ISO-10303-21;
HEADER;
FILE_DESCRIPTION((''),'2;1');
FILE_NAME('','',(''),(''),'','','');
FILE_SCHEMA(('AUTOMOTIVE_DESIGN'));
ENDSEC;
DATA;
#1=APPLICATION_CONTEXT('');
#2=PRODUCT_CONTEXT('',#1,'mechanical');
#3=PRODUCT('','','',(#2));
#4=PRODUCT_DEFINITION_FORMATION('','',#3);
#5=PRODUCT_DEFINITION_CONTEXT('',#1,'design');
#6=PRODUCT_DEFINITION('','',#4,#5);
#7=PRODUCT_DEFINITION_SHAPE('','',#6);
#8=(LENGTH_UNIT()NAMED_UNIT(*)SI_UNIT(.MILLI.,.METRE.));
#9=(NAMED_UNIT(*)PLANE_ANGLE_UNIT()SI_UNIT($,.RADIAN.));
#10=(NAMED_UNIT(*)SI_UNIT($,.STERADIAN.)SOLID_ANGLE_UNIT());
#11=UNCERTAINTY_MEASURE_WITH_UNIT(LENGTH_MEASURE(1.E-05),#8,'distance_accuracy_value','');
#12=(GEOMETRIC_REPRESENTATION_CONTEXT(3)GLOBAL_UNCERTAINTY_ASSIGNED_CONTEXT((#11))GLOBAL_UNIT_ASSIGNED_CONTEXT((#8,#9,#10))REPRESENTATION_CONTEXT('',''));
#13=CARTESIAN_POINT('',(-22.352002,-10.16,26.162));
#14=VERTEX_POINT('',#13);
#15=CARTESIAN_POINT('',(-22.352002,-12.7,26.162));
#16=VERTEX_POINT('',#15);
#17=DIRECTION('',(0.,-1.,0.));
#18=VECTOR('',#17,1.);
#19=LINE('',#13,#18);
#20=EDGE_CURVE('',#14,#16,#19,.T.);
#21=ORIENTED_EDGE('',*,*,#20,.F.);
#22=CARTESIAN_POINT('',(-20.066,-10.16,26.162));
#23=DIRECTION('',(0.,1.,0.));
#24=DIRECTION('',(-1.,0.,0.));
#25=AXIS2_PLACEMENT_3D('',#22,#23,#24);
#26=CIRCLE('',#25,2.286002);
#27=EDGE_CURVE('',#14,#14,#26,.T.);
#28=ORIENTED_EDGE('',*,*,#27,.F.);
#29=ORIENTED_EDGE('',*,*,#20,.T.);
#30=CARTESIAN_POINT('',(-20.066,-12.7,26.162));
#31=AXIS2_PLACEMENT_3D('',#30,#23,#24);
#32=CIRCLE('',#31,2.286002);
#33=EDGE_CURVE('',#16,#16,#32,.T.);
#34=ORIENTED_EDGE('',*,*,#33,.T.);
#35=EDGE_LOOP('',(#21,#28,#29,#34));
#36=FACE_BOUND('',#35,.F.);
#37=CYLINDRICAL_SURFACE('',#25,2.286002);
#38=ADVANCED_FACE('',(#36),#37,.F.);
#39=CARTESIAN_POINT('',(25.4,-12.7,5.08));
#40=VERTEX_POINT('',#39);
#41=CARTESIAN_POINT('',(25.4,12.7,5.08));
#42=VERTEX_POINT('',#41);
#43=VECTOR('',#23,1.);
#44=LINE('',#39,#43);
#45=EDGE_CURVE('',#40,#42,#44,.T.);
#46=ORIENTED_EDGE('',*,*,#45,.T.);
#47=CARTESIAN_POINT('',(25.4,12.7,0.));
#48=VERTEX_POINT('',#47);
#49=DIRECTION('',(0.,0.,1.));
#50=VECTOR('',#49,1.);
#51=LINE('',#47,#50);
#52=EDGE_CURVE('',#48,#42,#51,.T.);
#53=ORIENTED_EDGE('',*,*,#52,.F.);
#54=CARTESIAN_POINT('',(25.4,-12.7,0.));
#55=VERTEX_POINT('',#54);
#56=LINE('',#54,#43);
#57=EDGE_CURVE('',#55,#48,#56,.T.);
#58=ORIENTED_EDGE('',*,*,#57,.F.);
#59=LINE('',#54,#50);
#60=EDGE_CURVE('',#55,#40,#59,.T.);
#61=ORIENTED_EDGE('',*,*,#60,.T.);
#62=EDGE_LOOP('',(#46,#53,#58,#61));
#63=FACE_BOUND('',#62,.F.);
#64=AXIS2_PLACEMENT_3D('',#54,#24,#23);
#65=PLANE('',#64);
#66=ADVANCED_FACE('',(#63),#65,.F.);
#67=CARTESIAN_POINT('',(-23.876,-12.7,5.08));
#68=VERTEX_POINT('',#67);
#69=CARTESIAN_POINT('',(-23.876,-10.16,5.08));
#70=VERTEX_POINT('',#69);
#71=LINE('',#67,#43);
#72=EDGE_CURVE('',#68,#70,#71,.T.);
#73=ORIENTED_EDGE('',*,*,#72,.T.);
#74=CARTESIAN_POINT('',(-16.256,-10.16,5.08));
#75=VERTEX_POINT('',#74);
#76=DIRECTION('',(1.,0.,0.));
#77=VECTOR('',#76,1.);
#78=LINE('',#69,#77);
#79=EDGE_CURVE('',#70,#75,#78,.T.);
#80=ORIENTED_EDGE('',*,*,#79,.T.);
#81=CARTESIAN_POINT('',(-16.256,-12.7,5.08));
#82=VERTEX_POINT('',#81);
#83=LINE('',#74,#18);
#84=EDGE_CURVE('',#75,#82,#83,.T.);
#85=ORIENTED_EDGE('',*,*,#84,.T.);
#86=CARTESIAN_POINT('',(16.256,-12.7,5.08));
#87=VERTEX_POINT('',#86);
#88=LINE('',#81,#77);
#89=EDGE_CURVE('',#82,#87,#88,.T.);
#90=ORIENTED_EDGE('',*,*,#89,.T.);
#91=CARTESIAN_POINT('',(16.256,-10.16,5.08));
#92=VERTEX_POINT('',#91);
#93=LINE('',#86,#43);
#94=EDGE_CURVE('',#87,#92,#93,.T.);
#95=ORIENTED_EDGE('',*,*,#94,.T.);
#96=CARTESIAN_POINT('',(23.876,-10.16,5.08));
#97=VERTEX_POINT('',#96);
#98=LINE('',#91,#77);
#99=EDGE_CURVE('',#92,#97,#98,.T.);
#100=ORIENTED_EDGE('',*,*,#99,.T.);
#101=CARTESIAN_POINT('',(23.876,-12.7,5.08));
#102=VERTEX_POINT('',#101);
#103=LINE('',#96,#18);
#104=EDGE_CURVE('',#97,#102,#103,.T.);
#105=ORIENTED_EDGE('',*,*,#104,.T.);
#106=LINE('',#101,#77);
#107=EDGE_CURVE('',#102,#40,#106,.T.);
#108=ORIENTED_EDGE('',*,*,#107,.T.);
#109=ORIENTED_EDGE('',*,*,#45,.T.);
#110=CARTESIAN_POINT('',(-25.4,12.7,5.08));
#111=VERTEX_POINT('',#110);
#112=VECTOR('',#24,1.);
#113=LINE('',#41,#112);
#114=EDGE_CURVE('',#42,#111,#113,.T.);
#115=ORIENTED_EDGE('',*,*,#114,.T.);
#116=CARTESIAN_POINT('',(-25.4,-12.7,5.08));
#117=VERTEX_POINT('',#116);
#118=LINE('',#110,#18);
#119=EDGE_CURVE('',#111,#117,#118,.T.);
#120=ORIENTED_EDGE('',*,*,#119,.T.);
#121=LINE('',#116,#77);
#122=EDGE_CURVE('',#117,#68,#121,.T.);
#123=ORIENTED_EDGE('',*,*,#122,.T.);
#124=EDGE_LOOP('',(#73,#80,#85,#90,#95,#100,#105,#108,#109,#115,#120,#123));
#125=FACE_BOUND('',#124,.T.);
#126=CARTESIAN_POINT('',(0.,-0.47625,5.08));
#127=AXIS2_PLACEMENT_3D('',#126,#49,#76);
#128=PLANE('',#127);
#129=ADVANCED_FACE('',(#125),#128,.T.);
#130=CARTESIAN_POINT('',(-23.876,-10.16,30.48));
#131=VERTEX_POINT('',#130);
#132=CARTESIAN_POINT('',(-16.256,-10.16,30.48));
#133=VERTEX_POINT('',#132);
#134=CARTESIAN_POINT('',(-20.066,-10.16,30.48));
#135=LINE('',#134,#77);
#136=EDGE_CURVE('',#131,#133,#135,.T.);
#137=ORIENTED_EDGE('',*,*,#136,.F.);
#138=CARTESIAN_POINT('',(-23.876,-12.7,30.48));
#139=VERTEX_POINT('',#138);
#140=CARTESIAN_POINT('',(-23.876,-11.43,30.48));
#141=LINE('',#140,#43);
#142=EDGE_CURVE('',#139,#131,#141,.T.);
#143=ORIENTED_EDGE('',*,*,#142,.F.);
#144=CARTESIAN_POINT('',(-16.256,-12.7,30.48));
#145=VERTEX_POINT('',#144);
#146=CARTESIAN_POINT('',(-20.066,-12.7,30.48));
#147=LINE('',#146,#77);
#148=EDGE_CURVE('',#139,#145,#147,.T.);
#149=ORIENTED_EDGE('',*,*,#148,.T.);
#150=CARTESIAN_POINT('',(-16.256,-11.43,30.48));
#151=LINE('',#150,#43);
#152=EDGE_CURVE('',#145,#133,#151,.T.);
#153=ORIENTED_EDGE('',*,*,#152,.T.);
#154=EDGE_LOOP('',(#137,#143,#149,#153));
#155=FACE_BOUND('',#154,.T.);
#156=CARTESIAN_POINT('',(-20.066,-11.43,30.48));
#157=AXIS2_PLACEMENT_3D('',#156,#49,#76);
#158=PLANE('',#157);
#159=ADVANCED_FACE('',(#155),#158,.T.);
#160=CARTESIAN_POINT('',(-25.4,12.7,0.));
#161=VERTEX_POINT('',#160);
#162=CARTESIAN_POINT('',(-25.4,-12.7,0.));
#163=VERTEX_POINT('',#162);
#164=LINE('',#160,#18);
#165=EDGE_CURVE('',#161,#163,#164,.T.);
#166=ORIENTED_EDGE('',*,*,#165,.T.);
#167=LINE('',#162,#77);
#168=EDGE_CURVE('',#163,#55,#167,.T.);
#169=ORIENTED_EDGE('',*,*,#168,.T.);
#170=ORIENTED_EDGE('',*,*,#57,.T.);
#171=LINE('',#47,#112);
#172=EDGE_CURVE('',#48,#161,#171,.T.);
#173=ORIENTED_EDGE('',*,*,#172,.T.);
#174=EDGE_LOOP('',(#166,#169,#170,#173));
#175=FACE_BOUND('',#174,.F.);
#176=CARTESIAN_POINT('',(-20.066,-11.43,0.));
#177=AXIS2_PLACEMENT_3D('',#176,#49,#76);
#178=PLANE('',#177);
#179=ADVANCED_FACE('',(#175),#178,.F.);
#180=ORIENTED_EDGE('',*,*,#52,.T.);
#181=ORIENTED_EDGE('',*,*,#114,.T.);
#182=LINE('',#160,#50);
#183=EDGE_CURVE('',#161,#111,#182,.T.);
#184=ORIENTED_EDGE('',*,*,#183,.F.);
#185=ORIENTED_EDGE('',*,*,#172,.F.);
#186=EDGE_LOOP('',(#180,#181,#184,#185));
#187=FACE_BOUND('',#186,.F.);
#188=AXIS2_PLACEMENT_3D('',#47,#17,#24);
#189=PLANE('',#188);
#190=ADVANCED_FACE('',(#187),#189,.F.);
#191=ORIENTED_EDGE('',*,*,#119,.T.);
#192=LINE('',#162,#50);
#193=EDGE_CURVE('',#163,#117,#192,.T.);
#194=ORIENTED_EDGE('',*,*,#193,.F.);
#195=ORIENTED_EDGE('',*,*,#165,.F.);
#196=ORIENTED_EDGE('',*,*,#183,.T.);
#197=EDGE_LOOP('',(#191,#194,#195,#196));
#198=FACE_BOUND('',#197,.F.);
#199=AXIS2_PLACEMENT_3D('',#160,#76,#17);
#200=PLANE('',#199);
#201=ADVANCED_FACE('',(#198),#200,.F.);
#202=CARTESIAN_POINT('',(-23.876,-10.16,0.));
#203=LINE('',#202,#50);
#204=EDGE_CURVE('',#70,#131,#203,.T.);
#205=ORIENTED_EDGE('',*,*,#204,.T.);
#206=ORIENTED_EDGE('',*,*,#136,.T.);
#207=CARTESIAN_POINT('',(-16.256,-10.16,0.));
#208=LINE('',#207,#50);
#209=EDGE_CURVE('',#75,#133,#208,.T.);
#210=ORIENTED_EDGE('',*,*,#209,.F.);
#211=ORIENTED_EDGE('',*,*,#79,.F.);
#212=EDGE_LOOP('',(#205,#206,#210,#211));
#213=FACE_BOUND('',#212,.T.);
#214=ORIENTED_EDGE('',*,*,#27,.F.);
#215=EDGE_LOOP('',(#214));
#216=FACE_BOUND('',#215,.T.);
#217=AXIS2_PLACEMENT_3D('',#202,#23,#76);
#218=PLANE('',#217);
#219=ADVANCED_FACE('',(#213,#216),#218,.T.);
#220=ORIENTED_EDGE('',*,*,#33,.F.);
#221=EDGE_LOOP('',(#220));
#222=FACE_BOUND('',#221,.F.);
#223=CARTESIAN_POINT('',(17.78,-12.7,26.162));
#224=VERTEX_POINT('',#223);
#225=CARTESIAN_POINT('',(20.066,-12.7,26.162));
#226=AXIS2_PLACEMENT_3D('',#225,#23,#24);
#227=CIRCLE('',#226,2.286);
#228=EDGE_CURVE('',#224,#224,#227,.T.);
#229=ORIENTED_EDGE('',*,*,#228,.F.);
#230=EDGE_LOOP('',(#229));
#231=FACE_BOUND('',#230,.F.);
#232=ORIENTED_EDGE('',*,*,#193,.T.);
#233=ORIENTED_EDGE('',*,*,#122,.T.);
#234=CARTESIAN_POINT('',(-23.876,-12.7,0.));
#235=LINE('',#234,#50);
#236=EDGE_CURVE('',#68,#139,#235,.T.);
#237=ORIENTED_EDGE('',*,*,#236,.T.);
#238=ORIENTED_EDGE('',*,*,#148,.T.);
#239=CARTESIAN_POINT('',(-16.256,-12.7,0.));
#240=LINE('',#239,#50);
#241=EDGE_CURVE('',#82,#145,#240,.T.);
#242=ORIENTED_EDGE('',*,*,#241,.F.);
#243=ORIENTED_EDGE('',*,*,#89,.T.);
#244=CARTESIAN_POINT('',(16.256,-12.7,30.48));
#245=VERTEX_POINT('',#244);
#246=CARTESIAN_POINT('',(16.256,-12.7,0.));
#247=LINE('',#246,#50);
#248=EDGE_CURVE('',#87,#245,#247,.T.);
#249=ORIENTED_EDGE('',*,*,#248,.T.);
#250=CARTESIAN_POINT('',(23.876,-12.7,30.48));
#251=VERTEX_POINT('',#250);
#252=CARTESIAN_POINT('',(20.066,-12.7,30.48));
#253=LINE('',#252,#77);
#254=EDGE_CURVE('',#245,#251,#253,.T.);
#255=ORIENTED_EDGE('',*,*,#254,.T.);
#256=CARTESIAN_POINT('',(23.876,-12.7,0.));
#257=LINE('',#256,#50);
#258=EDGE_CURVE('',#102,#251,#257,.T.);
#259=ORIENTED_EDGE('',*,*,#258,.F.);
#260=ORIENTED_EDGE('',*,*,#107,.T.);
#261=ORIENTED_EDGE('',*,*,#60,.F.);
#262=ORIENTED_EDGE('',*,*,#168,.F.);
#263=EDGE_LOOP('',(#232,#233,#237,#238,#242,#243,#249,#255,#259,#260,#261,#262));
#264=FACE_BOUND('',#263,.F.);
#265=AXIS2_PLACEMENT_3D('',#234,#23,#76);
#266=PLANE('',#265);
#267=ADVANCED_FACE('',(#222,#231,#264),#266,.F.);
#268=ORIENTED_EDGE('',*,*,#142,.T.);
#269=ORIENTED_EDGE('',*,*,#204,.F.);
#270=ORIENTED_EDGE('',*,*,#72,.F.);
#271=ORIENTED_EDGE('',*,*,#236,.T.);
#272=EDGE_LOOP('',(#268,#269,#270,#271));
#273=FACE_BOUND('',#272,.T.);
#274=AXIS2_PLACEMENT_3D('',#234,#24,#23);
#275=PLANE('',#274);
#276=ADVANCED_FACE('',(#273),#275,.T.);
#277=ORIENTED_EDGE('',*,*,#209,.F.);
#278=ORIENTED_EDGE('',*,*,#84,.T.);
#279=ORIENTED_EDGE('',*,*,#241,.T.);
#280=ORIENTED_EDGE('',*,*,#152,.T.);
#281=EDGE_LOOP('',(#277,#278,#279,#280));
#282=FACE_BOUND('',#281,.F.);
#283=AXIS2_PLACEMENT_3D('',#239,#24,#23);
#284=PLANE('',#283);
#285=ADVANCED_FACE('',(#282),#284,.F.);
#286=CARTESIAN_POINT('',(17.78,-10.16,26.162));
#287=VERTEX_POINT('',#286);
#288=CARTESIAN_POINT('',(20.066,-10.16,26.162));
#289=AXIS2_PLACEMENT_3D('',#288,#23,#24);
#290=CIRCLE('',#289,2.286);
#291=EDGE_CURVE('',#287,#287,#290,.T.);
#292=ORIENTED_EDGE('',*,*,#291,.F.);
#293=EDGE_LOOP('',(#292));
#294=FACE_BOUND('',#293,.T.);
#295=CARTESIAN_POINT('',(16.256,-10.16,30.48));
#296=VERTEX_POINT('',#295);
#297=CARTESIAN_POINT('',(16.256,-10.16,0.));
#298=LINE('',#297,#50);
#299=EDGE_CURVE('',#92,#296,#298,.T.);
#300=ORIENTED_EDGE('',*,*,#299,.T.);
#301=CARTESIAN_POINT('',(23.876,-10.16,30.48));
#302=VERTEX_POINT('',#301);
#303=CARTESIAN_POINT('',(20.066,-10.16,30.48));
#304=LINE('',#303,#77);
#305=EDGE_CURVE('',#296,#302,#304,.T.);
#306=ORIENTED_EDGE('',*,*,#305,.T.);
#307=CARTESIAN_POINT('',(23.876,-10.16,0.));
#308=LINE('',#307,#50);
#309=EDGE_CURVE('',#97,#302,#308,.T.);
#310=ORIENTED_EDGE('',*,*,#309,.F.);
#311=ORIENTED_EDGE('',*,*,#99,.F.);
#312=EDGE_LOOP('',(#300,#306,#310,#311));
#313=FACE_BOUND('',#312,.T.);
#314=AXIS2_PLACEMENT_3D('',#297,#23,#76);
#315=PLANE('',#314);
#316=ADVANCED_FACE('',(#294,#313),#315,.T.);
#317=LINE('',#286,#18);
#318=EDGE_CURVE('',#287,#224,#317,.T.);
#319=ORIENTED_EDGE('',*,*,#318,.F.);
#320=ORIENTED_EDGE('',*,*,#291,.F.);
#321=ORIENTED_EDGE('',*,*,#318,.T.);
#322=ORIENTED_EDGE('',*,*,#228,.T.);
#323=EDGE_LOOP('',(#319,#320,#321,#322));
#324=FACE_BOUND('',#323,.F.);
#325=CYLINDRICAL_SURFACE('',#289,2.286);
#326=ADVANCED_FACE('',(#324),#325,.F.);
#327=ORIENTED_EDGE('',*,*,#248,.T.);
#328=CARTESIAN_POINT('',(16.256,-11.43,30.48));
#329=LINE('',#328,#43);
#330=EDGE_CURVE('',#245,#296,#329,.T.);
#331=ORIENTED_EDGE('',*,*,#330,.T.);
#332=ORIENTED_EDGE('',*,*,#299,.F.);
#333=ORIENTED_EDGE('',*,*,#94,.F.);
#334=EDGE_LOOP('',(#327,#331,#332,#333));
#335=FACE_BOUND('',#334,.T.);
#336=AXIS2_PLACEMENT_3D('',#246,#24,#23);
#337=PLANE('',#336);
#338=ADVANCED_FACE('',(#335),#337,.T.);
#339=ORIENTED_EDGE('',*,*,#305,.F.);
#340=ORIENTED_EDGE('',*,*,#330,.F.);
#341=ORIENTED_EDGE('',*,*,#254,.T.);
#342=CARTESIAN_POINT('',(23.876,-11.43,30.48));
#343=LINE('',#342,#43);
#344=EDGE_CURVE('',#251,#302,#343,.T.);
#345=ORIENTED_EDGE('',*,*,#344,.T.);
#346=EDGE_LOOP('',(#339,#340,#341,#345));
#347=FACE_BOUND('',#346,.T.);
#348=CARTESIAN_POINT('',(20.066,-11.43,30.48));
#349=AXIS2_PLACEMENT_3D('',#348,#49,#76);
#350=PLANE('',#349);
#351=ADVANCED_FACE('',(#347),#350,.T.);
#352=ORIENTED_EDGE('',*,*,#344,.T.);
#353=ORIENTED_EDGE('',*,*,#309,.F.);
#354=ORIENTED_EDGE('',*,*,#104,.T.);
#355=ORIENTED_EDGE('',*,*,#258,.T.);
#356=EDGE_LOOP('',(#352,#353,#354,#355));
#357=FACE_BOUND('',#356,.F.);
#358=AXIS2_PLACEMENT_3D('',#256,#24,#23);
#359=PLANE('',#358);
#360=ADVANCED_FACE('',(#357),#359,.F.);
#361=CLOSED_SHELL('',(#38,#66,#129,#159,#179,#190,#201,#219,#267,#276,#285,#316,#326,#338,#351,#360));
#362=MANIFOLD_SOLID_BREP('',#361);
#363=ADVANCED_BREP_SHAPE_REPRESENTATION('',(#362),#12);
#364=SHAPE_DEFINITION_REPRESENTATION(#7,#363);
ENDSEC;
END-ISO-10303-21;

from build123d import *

# Parameters (mm, degrees)
F1_DEPTH = 5.08
F0_W     = 7.62
F0_H     = 2.54
F2_DEPTH = 30.48
F3_R     = 2.286
F3_R_2   = 2.286002
F4_DEPTH = 7.112


with BuildPart() as f1:
    # F0 (on Top) → F1 (new body)
    with BuildSketch(Plane.XY):
        Polygon((25.4, 12.7), (-25.4, 12.7), (-25.4, -12.7), (-23.876, -12.7), (-23.876, -10.16), (-16.256, -10.16), (-16.256, -12.7), (16.256, -12.7), (16.256, -10.16), (23.876, -10.16), (23.876, -12.7), (25.4, -12.7), align=None)
    extrude(amount=F1_DEPTH)

    # F0 (on Top) → F2 (join)
    with BuildSketch(Plane.XY):
        with Locations((-20.066, -11.43)):
            Rectangle(F0_W, F0_H)
        with Locations((20.066, -11.43)):
            Rectangle(F0_W, F0_H)
    extrude(amount=F2_DEPTH)

    # F3 (on face) → F4 (cut)
    with BuildSketch(Plane(origin=(0, -10.16, 0), x_dir=(-1, 0, 0), z_dir=(0, 1, 0))):
        with Locations((-20.066, 26.162)):
            Circle(F3_R)
        with Locations((20.066, 26.162)):
            Circle(F3_R_2)
    extrude(amount=-F4_DEPTH, mode=Mode.SUBTRACT)


solid = f1.part
